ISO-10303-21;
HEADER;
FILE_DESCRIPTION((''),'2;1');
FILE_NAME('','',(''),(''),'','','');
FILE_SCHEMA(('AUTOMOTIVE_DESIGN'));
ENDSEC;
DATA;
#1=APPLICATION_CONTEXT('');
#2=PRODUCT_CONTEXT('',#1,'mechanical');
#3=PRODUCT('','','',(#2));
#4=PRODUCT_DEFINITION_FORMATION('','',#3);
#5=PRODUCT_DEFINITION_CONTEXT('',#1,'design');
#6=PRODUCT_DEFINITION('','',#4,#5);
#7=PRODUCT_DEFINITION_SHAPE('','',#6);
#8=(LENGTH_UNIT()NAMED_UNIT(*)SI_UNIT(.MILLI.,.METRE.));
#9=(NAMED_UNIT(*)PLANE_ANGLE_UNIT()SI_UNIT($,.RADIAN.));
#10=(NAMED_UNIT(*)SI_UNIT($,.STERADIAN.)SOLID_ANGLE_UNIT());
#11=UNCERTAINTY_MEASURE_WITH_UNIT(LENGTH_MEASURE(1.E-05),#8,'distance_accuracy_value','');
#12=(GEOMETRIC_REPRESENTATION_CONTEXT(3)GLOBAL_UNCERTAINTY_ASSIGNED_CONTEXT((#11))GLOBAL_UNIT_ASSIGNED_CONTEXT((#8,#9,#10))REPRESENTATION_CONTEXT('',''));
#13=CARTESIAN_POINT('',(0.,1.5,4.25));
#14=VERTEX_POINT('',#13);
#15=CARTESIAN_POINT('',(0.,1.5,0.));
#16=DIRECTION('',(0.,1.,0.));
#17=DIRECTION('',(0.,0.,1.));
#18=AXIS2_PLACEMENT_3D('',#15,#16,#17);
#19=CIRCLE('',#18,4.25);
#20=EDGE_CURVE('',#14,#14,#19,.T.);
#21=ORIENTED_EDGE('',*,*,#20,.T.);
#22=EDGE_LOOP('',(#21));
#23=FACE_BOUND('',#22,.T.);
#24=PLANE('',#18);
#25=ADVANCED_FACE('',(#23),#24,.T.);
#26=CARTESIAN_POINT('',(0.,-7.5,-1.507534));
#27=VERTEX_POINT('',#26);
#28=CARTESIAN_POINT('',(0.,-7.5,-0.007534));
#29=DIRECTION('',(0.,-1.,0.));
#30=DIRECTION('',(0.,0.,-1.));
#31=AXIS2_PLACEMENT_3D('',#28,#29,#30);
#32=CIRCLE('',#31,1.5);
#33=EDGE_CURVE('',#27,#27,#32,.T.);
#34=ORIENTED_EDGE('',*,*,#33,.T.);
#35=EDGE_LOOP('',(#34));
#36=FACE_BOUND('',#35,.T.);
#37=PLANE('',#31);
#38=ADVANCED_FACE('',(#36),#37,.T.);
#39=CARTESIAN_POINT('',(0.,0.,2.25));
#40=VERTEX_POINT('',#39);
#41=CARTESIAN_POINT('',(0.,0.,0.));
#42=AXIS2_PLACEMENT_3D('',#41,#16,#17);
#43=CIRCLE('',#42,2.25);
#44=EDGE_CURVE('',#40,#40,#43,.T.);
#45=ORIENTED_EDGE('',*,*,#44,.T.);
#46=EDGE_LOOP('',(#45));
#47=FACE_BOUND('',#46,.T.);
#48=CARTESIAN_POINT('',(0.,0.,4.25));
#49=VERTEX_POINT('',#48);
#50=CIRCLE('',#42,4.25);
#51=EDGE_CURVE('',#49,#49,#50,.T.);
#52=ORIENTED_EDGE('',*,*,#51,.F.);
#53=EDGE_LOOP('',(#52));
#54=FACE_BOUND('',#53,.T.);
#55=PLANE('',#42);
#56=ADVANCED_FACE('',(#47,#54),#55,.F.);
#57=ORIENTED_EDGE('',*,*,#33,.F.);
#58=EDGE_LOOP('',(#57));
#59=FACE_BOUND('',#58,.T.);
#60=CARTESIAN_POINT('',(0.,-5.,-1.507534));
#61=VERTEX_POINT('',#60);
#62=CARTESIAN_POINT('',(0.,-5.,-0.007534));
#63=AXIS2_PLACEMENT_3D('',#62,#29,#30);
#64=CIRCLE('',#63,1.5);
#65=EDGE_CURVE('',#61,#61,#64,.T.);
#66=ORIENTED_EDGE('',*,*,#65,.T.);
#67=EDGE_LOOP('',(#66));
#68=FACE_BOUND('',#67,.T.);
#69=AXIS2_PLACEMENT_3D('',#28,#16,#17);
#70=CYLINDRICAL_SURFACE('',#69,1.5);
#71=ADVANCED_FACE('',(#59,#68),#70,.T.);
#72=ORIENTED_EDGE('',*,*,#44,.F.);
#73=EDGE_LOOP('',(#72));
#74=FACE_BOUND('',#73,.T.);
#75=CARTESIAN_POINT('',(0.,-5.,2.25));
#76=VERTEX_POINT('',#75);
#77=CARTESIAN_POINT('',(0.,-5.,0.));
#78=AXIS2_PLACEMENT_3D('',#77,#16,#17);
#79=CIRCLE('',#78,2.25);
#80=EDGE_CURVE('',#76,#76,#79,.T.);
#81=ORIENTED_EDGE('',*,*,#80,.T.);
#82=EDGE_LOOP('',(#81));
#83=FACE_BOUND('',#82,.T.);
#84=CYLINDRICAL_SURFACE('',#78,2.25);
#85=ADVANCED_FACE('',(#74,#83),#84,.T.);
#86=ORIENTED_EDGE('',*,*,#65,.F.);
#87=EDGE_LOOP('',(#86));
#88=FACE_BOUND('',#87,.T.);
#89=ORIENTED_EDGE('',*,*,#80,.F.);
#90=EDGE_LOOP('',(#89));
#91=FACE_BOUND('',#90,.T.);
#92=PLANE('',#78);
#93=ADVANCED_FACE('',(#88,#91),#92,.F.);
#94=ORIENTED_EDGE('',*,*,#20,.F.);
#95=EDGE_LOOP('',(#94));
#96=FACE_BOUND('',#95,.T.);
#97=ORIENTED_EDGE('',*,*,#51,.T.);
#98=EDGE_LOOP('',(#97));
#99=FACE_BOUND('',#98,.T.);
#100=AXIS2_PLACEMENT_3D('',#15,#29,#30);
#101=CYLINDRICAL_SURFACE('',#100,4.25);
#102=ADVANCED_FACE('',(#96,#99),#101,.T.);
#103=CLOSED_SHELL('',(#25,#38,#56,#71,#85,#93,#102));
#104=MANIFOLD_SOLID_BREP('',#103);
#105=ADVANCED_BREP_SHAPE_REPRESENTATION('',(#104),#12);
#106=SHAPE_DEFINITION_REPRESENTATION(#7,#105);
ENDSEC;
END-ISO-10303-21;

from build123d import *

# Parameters (mm, degrees)
SKETCH1_R           = 4.25
BOSS_EXTRUDE1_DEPTH = 1.5
SKETCH1_3_R         = 2.25
BOSS_EXTRUDE2_DEPTH = 5
SKETCH2_R           = 1.5
BOSS_EXTRUDE3_DEPTH = 2.5


with BuildPart() as part:
    # Sketch1 → Boss-Extrude1 (new body)
    with BuildSketch(Plane(origin=(0, 0, 0), x_dir=(1, 0, 0), z_dir=(0, 1, 0))):
        Circle(SKETCH1_R)
    extrude(amount=BOSS_EXTRUDE1_DEPTH)

    # Sketch1<3> → Boss-Extrude2 (add)
    with BuildSketch(Plane(origin=(0, 0, 0), x_dir=(1, 0, 0), z_dir=(0, 1, 0))):
        Circle(SKETCH1_3_R)
    extrude(amount=-BOSS_EXTRUDE2_DEPTH)

    # Sketch2 → Boss-Extrude3 (add)
    with BuildSketch(Plane.XZ.offset(5)):
        with Locations((0, -0.007534146)):
            Circle(SKETCH2_R)
    extrude(amount=BOSS_EXTRUDE3_DEPTH)


solid = part.part
